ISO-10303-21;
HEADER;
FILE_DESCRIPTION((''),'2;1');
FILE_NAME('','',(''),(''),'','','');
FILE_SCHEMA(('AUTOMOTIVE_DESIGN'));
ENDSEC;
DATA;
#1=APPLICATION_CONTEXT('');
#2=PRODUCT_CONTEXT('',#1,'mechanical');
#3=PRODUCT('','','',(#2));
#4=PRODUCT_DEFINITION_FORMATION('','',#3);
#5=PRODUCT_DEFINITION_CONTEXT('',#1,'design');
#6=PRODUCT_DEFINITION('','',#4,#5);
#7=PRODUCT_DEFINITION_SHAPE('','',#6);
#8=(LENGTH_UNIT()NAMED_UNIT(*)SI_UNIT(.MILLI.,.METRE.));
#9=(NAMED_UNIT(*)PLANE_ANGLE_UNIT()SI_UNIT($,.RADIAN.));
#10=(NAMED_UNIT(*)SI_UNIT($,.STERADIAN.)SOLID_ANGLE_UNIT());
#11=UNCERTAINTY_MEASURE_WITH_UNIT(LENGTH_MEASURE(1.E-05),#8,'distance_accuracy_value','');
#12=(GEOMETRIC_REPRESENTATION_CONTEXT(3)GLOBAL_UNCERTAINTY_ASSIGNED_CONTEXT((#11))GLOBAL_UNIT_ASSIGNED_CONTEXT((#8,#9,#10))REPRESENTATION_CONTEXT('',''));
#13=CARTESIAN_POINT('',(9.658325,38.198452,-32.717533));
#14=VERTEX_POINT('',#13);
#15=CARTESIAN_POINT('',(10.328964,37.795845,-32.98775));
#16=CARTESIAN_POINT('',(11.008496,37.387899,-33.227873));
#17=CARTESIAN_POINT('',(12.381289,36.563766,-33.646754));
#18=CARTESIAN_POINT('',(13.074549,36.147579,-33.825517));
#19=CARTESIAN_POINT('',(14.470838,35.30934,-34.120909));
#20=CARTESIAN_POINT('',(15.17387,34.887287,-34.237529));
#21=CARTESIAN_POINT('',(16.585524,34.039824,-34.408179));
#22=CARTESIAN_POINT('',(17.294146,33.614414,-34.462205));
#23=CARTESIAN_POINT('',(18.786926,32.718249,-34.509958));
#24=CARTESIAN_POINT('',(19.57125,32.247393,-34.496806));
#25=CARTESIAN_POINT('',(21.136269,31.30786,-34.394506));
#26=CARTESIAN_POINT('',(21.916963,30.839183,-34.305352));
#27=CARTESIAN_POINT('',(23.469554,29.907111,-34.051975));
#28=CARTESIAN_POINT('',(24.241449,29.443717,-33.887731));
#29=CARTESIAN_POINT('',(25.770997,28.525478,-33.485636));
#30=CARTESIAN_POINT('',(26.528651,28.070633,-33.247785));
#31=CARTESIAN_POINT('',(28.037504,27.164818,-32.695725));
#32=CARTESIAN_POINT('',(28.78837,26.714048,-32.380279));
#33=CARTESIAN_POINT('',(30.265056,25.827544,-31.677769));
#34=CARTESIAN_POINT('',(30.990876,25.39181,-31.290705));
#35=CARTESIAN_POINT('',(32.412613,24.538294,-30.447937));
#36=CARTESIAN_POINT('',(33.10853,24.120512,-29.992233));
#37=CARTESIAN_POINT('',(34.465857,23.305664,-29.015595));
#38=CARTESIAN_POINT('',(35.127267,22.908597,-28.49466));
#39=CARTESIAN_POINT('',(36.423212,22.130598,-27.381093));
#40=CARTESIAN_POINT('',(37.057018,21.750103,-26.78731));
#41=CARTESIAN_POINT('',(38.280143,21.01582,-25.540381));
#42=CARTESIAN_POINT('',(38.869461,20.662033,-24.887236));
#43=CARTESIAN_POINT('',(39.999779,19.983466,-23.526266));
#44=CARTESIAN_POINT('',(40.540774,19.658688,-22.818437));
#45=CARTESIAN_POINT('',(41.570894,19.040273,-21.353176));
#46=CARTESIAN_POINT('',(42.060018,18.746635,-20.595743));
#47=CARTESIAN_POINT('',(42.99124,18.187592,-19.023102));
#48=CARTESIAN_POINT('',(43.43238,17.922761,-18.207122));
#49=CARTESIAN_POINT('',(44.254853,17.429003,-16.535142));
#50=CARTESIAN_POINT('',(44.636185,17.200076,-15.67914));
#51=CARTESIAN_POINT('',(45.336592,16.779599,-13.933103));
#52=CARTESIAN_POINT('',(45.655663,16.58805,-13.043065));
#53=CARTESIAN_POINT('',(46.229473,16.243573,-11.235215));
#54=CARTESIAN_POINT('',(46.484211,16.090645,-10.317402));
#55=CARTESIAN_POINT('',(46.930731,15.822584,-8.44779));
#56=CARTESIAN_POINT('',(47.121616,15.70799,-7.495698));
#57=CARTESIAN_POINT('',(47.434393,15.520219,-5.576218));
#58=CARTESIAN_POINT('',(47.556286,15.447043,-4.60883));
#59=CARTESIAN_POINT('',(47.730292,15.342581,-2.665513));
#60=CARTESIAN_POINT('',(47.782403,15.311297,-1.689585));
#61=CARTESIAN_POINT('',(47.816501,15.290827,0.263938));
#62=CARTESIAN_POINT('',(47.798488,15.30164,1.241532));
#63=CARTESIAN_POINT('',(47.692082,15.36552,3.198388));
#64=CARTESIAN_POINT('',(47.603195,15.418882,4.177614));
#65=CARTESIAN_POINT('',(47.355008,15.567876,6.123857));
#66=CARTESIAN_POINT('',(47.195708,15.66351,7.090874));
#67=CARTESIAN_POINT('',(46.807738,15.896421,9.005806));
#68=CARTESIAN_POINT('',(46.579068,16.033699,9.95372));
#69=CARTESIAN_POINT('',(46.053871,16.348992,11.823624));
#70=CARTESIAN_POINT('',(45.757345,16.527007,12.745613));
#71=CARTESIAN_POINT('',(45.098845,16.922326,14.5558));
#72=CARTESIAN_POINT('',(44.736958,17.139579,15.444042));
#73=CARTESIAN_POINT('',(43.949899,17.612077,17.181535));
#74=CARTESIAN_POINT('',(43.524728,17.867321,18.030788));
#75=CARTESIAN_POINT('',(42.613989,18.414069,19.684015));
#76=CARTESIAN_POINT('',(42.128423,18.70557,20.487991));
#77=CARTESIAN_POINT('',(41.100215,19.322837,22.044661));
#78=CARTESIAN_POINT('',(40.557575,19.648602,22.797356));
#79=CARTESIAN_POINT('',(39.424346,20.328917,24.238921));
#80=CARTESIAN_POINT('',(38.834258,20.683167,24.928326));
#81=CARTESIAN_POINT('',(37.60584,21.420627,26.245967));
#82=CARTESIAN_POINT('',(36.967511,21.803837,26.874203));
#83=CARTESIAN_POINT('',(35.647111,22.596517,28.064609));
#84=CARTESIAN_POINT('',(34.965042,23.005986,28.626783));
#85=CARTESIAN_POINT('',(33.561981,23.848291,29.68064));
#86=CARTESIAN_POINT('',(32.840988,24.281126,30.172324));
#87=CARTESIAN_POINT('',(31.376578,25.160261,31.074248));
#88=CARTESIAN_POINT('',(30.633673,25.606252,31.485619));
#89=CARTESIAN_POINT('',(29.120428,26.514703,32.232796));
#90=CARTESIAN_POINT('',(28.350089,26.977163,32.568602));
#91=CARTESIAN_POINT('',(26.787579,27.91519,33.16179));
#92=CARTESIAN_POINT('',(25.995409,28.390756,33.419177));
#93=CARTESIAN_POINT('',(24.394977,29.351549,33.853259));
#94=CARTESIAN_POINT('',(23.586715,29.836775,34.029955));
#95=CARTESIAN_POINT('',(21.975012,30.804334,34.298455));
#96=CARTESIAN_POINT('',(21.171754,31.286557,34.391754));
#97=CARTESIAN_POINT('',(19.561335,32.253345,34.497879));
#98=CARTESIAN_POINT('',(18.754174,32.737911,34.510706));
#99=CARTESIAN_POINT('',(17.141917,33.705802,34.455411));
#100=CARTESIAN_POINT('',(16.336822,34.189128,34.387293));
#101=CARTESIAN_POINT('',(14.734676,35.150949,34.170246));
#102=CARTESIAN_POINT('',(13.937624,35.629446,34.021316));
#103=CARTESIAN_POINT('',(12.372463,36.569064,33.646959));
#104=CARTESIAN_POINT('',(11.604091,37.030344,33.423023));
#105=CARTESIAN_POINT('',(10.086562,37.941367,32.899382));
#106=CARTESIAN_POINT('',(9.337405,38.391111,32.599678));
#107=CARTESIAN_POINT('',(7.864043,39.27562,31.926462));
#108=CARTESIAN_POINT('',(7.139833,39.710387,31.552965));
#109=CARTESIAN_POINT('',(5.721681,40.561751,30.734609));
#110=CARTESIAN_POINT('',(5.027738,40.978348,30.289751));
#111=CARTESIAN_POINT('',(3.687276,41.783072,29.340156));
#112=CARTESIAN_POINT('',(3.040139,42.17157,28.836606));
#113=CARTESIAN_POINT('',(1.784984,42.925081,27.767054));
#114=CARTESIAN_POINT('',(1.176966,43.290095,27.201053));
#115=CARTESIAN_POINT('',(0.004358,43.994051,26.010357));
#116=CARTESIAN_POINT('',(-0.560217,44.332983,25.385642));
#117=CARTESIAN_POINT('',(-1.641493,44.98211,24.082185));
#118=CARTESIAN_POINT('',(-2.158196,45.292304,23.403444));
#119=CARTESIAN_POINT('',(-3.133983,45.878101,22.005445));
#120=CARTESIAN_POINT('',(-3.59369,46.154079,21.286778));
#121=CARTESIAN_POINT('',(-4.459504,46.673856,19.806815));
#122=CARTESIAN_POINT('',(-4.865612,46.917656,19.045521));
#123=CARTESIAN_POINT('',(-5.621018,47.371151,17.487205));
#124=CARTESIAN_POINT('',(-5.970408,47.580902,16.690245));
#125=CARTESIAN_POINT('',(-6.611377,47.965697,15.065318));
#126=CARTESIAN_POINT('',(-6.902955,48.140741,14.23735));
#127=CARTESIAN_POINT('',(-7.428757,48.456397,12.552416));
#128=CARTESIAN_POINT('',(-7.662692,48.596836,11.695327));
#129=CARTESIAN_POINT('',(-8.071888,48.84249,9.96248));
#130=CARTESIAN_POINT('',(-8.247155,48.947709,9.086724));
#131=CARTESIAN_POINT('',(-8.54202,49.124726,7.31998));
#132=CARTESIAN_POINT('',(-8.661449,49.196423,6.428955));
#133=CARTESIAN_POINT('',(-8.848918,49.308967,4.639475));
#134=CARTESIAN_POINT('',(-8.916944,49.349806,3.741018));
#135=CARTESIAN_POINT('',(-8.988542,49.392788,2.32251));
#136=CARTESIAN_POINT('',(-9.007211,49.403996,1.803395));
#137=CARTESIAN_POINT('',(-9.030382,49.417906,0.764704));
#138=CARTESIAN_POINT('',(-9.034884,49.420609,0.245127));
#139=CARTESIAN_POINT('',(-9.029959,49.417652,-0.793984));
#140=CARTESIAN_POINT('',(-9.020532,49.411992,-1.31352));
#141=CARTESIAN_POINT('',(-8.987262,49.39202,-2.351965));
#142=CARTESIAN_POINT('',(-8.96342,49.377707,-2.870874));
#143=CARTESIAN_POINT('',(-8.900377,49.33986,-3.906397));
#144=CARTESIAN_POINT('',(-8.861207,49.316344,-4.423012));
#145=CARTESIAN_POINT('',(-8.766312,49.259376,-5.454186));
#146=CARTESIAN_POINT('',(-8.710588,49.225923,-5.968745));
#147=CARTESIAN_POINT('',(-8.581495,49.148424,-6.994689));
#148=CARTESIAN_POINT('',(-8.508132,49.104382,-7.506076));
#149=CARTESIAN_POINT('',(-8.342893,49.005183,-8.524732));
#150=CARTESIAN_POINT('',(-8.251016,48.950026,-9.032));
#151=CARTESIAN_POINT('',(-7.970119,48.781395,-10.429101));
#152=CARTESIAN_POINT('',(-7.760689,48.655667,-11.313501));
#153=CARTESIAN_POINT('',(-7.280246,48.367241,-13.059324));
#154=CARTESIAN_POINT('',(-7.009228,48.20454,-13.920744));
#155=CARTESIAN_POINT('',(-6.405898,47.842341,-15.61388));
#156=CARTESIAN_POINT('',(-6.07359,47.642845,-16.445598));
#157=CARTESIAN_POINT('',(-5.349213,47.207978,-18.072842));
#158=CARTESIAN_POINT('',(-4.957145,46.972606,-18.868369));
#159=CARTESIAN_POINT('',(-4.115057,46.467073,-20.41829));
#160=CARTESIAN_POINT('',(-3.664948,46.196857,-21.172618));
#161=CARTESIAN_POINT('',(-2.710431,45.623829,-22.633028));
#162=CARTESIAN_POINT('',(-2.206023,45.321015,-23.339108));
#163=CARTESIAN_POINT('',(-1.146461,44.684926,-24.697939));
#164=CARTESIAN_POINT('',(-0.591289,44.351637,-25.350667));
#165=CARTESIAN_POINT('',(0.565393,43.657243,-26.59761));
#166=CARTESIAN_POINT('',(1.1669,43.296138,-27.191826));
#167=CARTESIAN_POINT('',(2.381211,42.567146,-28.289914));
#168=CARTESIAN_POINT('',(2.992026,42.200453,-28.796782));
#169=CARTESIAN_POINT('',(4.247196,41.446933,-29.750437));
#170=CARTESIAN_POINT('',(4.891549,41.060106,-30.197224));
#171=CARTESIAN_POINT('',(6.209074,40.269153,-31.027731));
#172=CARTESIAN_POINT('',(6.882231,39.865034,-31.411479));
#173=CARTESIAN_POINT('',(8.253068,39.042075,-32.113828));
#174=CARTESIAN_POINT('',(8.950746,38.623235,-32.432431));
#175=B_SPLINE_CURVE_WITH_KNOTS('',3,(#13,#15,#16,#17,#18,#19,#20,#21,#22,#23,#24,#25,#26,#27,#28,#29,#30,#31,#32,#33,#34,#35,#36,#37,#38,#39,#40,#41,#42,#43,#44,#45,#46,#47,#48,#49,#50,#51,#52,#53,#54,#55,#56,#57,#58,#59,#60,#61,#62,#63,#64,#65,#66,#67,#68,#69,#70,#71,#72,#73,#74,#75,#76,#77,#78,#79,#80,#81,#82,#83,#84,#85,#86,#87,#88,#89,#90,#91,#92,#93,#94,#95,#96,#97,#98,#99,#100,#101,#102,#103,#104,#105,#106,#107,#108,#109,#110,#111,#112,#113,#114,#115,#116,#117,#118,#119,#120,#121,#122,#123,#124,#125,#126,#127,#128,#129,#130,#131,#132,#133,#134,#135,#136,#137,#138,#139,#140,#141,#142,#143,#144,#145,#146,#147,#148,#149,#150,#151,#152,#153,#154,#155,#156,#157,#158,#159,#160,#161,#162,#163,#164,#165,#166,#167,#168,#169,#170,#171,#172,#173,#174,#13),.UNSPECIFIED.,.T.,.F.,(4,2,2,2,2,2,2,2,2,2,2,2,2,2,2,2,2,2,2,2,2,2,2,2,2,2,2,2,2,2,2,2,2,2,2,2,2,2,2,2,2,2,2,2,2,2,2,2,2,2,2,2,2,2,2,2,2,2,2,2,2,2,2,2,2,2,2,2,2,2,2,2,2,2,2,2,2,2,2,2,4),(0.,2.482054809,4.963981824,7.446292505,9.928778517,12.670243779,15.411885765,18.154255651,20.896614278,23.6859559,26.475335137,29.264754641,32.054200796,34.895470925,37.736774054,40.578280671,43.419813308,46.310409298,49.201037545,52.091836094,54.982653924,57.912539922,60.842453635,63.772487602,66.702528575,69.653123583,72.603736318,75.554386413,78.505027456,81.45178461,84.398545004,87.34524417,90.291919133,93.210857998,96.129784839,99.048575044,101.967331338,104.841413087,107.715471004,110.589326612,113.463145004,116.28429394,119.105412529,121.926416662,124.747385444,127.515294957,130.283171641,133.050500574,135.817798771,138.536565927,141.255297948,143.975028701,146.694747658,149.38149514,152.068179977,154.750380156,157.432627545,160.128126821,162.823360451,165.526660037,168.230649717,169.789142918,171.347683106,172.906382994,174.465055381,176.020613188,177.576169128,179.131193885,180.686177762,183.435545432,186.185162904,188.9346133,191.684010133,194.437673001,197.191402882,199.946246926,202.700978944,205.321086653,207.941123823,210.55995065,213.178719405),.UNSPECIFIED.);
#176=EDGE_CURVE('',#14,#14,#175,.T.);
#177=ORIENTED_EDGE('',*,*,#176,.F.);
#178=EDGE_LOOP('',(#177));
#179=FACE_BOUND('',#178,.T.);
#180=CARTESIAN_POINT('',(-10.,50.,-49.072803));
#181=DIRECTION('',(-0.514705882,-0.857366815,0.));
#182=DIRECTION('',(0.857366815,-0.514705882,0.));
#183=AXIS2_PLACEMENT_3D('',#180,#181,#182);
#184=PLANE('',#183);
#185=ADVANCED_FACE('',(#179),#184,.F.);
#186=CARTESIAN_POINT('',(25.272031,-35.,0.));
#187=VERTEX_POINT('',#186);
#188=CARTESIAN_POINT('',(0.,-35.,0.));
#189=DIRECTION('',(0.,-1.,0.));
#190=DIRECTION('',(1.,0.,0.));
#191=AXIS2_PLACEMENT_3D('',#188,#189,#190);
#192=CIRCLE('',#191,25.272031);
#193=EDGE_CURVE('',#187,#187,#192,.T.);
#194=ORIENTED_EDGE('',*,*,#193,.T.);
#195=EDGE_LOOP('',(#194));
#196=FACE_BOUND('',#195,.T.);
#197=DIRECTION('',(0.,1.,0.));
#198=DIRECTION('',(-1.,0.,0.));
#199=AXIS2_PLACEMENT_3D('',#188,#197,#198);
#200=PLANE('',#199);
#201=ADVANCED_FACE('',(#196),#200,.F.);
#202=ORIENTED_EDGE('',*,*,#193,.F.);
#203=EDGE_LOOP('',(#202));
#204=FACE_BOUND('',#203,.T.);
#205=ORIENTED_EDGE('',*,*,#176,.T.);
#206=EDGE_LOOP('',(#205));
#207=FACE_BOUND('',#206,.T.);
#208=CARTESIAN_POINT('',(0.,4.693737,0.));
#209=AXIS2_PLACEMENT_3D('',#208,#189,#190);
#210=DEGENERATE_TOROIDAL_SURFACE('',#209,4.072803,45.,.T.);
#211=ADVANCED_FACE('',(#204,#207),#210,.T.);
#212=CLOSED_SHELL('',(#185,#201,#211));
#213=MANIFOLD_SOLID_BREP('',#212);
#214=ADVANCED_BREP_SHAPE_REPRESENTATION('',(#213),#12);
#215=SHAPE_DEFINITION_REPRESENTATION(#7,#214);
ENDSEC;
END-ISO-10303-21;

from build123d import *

# Parameters (mm, degrees)
CUT_EXTRUDE1_DEPTH      = 86.356590332
CUT_EXTRUDE1_DEPTH_BACK = 86.356590332


with BuildPart() as part:
    # Sketch1 → Revolve1 (revolve)
    with BuildSketch(Plane.XY):
        with BuildLine():
            Line((0, 49.509049853), (0, -35))
            Line((0, -35), (-25.272030651, -35))
            ThreePointArc((-25.272030651, -35), (-47.186298393, 17.586623254), (0, 49.509049853))
        make_face()
    revolve(axis=Axis((0, 0, 0), (0, 1, 0)))

    # Sketch2 → Cut-Extrude1 (cut, two sides: drawn at the far end of the back side and taken through both)
    with BuildSketch(Plane.XY.offset(-CUT_EXTRUDE1_DEPTH_BACK)):
        Polygon((-10, 50), (48.300943389, 15), (48.300943389, 50), align=None)
    extrude(amount=CUT_EXTRUDE1_DEPTH + CUT_EXTRUDE1_DEPTH_BACK, mode=Mode.SUBTRACT)


solid = part.part
